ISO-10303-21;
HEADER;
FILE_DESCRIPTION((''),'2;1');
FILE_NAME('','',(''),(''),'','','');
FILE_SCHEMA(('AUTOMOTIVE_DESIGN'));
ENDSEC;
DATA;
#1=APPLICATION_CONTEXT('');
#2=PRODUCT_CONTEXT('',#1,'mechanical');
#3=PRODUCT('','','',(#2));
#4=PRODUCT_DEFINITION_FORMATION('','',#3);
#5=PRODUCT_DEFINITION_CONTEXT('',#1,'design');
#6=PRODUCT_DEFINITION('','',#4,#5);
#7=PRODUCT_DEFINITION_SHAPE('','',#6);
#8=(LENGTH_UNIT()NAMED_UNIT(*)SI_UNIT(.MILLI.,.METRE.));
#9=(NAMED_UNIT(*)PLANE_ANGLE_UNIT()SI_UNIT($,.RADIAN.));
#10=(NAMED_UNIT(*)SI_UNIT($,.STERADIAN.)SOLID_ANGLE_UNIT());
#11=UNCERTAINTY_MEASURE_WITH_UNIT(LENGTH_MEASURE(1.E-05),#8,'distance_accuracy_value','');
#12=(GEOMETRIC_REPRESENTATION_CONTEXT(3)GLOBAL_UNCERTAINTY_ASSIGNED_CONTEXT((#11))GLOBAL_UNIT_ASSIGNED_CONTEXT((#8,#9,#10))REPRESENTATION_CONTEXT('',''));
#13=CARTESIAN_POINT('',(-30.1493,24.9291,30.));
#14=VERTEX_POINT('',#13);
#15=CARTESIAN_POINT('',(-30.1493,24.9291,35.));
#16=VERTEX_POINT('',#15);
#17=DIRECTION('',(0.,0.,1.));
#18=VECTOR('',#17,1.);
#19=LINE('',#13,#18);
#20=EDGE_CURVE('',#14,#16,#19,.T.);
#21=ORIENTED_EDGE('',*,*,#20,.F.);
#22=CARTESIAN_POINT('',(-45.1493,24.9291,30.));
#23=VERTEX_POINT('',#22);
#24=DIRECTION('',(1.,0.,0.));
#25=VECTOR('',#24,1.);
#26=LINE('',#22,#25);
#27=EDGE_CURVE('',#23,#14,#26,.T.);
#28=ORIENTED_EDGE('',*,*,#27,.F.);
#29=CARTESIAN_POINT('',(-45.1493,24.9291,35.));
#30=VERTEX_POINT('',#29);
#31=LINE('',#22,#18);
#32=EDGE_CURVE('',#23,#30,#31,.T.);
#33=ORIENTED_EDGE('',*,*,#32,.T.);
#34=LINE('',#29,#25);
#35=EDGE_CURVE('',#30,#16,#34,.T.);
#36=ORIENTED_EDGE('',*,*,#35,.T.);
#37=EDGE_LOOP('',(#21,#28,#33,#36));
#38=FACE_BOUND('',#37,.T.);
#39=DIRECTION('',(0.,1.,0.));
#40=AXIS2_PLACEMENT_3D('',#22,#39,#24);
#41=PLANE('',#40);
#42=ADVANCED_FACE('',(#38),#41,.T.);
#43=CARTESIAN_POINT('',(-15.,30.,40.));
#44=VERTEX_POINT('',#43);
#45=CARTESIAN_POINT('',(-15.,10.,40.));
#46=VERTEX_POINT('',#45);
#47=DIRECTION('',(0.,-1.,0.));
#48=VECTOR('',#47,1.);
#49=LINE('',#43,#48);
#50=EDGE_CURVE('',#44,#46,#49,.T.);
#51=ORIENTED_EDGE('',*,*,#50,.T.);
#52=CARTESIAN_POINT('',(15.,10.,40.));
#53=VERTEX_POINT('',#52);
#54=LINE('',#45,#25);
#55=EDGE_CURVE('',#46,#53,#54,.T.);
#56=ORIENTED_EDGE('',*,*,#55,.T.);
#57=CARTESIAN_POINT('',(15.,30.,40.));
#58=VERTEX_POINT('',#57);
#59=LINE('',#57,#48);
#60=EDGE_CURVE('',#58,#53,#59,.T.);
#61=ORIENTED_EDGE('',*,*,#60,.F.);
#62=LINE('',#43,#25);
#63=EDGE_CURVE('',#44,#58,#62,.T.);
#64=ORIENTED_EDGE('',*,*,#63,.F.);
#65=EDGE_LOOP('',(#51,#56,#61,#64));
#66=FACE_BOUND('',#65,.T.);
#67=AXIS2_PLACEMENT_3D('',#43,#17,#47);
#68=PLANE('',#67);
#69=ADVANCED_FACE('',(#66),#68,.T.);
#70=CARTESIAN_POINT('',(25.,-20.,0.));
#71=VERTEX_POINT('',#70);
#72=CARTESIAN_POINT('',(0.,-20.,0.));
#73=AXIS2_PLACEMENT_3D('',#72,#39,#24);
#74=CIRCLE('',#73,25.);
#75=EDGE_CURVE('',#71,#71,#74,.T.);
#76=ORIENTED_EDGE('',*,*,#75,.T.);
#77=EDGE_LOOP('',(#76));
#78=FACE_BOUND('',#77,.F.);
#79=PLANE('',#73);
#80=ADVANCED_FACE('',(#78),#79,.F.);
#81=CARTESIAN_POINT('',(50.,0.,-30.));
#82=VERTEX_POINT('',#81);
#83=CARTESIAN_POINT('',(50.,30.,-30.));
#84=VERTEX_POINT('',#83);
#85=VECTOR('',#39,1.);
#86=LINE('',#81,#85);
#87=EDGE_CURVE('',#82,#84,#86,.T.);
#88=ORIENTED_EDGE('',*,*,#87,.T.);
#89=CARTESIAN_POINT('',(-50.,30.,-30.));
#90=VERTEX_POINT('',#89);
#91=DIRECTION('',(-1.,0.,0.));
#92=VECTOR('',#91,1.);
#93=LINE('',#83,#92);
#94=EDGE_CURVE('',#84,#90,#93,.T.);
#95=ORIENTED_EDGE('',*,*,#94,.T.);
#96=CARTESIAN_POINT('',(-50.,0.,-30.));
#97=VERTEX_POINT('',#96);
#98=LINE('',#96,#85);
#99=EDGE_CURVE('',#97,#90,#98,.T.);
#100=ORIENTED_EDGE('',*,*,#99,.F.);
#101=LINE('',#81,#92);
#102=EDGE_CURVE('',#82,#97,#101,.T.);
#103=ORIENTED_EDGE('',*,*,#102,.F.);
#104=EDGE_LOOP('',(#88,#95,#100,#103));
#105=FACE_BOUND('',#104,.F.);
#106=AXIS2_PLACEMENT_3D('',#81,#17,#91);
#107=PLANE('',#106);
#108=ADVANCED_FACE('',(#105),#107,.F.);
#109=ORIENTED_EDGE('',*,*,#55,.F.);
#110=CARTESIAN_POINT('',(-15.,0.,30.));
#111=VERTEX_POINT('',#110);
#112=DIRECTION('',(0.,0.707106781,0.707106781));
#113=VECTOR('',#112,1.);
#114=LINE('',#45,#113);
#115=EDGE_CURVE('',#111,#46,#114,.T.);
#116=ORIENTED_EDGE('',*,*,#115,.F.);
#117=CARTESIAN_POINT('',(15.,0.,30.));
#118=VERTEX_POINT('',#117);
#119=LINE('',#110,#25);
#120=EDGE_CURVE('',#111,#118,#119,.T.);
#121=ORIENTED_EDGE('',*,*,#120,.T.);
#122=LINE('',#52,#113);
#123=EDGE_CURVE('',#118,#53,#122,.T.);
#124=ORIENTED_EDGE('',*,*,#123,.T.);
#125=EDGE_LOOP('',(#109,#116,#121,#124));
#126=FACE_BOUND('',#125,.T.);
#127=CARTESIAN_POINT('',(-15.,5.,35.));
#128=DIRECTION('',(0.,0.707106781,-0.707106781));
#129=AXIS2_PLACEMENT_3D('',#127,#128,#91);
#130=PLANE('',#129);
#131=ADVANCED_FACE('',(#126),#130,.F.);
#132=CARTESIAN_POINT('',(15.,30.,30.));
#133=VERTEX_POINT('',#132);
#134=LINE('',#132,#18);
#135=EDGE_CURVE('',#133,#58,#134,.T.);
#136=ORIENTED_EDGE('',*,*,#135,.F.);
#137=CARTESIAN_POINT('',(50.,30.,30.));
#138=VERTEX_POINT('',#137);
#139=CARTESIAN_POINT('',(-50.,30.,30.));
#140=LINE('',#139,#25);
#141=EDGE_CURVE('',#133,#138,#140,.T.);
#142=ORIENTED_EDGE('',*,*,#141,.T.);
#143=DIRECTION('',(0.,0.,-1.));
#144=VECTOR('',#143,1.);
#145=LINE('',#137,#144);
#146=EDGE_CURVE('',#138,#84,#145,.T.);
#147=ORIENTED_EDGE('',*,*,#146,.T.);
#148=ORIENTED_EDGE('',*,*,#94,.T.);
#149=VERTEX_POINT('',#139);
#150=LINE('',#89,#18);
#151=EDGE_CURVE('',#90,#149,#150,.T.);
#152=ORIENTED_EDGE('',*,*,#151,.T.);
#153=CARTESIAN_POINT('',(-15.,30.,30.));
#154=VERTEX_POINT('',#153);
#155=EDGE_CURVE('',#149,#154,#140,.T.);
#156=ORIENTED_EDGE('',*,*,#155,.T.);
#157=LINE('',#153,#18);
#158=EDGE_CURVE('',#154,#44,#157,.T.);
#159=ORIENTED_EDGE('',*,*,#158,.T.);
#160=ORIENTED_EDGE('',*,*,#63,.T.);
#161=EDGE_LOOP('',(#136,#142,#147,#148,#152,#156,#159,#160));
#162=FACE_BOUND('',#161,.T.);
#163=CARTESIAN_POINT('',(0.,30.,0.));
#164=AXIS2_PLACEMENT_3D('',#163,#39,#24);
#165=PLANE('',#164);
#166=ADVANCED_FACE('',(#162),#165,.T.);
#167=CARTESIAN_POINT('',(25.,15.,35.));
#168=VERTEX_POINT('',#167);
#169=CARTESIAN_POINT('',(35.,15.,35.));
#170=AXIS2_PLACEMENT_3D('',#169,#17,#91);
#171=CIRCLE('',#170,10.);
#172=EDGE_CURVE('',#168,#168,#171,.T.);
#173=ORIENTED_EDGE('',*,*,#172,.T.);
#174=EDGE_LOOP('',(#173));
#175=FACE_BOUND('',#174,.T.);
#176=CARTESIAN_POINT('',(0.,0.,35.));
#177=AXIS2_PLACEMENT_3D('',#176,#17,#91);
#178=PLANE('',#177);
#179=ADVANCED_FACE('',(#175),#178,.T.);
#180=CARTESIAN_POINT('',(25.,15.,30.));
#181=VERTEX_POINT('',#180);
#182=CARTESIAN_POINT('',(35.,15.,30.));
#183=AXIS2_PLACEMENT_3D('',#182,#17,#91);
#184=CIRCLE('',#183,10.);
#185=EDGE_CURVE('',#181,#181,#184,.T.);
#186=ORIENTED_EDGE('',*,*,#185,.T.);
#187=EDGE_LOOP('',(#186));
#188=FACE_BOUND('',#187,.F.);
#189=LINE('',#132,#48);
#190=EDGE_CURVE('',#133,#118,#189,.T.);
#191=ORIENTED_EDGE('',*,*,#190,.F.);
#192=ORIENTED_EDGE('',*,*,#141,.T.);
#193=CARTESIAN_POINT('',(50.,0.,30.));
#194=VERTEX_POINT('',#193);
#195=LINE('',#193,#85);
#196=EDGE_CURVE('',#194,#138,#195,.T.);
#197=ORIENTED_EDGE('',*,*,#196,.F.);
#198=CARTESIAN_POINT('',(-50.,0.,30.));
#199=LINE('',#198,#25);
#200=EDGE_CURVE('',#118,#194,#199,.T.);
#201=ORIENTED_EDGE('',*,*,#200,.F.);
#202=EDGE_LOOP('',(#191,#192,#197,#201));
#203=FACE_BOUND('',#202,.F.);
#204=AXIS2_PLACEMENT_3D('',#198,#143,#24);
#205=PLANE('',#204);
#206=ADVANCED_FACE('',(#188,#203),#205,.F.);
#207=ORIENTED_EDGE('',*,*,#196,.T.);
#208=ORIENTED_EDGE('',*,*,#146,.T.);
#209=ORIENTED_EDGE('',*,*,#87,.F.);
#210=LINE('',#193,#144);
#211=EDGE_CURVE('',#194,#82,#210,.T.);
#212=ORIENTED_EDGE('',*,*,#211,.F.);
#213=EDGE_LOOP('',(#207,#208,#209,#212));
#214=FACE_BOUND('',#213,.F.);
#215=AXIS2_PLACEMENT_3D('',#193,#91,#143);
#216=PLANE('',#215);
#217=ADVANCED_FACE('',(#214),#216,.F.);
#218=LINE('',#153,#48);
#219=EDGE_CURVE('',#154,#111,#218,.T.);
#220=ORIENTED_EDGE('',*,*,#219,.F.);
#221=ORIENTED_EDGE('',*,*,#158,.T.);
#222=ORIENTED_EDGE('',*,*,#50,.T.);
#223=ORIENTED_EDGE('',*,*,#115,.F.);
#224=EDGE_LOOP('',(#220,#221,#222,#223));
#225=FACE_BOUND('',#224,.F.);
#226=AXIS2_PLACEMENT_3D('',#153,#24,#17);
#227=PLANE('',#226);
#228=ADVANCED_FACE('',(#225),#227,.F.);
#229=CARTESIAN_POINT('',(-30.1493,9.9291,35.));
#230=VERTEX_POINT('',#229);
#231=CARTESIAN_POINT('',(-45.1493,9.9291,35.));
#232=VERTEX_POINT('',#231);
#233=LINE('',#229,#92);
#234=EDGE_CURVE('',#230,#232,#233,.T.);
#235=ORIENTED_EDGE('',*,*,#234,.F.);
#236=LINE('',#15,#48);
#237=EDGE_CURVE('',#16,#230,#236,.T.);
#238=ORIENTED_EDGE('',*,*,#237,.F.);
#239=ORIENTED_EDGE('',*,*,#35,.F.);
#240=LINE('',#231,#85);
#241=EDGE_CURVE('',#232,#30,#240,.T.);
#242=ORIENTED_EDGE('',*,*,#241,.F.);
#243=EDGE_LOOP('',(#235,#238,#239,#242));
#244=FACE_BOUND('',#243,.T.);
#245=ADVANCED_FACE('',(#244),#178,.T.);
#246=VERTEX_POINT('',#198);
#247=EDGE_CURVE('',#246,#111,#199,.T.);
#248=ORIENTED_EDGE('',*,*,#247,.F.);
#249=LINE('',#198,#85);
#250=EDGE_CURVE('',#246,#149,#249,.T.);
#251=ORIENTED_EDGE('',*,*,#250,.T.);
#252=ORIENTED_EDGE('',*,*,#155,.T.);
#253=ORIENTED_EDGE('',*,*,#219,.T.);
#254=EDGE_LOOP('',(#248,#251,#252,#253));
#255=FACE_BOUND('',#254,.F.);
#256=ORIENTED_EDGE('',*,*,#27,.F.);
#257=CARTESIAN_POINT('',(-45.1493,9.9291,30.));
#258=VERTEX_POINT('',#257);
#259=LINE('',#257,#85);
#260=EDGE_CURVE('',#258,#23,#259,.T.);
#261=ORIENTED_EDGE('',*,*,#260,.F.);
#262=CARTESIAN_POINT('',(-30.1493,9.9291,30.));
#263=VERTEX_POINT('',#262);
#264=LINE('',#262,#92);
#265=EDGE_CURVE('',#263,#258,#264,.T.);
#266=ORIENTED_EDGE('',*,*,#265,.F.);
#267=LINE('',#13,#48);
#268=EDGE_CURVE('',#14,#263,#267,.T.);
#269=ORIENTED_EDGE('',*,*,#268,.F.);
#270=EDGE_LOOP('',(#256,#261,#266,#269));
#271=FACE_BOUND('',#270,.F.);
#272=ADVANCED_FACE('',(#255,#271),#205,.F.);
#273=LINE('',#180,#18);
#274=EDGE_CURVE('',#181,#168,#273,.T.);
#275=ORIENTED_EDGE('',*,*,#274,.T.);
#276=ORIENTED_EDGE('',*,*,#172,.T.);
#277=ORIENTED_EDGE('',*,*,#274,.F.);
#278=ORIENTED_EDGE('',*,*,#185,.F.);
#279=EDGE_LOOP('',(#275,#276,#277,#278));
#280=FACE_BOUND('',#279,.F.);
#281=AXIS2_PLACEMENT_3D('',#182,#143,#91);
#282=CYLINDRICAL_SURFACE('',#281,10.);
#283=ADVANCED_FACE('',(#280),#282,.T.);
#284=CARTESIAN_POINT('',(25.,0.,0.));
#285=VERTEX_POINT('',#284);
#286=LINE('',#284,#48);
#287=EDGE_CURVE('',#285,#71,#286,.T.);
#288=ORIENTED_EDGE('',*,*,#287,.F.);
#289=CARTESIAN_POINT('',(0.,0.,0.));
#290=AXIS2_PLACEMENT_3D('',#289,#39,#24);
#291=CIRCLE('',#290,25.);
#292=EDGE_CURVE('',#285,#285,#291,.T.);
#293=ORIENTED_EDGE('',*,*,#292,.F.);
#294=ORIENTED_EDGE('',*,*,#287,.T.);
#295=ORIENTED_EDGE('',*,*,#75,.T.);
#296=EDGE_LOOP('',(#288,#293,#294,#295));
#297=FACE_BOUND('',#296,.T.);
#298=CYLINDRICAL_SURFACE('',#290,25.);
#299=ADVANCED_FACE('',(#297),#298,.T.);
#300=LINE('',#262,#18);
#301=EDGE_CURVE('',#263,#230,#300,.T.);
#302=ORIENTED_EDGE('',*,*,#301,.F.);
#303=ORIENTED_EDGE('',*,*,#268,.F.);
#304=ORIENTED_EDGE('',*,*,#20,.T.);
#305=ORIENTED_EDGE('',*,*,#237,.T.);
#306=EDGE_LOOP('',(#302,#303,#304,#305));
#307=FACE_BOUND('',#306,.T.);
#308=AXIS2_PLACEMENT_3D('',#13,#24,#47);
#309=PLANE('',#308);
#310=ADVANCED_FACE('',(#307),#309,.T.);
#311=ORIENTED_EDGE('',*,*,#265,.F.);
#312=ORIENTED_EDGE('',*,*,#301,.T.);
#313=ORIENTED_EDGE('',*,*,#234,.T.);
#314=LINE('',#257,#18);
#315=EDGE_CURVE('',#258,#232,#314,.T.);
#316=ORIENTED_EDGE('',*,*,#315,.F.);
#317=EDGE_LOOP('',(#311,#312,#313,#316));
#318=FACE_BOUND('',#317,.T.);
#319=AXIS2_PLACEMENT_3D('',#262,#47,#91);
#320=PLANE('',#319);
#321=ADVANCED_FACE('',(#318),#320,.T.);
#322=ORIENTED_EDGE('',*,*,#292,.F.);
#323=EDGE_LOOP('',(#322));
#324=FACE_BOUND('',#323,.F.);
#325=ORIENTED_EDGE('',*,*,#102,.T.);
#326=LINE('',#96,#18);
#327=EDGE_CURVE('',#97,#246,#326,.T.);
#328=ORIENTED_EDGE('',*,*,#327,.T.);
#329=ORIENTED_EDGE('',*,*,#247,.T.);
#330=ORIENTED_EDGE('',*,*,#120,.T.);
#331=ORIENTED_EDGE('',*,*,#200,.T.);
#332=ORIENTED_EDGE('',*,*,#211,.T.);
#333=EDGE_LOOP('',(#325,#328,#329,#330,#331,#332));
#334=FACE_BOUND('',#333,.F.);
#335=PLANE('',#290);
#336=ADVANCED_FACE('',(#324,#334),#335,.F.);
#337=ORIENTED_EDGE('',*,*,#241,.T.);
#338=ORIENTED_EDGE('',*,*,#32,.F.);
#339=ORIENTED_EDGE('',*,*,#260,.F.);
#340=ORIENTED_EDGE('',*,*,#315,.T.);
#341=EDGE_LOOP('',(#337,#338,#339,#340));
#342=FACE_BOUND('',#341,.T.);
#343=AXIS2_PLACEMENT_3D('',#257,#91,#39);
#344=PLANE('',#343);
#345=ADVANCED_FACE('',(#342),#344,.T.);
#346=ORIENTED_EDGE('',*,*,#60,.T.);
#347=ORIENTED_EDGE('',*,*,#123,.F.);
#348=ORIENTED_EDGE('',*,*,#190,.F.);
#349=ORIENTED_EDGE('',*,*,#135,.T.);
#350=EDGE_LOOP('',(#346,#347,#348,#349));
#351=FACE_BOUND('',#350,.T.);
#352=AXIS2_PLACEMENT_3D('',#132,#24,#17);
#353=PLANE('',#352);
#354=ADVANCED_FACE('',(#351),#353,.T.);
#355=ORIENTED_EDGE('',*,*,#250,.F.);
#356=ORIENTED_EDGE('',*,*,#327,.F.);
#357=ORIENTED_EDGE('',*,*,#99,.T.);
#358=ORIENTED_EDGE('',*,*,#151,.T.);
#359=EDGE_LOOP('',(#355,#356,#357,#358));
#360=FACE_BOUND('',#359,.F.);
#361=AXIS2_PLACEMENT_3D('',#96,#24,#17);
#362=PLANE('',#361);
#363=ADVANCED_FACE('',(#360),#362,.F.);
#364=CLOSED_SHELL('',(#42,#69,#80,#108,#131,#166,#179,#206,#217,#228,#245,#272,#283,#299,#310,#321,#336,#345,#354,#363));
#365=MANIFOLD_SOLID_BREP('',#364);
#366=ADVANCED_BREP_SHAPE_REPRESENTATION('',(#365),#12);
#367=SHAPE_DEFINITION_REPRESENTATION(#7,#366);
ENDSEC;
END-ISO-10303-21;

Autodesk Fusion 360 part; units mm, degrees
sketch "Sketch1" plane through (0, 0, 0) normal (0, 1, 0) x (1, 0, 0)
  line L0 (50, 30) -> (-50, 30)
  line L1 (-50, 30) -> (-50, -30)
  line L2 (-50, -30) -> (50, -30)
  line L3 (50, -30) -> (50, 30)
  line L4 (50, 30) -> (-50, -30) construction
  line L5 (-50, 30) -> (50, -30) construction
  dimension "d1" = 100
  dimension "d2" = 60
extrude "Extrude1" add sketch "Sketch1" along normal blind 30
sketch "Sketch2" plane through (0, 0, 0) normal (0, 1, 0) x (1, 0, 0)
  circle A0 centre (0, 0) radius 25
  dimension "d5" = 50
extrude "Extrude2" add sketch "Sketch2" against normal blind 20
sketch "Sketch3" plane through (0, 0, 0) normal (0, -1, 0) x (1, 0, 0)
  circle A0 centre (0, 0) radius 25
  line L0 (50, -30) -> (50, 30)
  line L1 (50, 30) -> (-50, 30)
  line L2 (-50, 30) -> (-50, -30)
  line L3 (-50, -30) -> (50, -30)
sketch "Sketch4" plane through (0, 0, 30) normal (0, 0, 1) x (-1, 0, 0)
  line L0 (50, 0) -> (-50, 0)
  line L1 (-50, 0) -> (-50, -30)
  line L2 (-50, -30) -> (50, -30)
  line L3 (50, -30) -> (50, 0)
  circle A0 centre (-35, -15) radius 10
  line L4 (42.5777, -25.1555) -> (27.5777, -25.1555)
  line L5 (27.5777, -25.1555) -> (27.5777, -10.1555)
  line L6 (27.5777, -10.1555) -> (42.5777, -10.1555)
  line L7 (42.5777, -10.1555) -> (42.5777, -25.1555)
  dimension "d8" = 20
  dimension "d9" = 15
  dimension "d10" = 15
extrude "Extrude3" add sketch "Sketch4" along normal blind 5 contours A0
sketch "Sketch5" plane through (0, 0, 30) normal (0, 0, 1) x (-1, 0, 0)
  circle A0 centre (-35, -15) radius 10
  line L0 (50, 0) -> (-50, 0)
  line L1 (-50, 0) -> (-50, -30)
  line L2 (-50, -30) -> (50, -30)
  line L3 (50, -30) -> (50, 0)
  line L4 (45.1493, -24.9291) -> (30.1493, -24.9291)
  line L5 (30.1493, -24.9291) -> (30.1493, -9.9291)
  line L6 (30.1493, -9.9291) -> (45.1493, -9.9291)
  line L7 (45.1493, -9.9291) -> (45.1493, -24.9291)
  dimension "d13" = 15
  dimension "d14" = 15
extrude "Extrude4" add sketch "Sketch5" along normal blind 5 contours L4 L5 L6 L7
sketch "Sketch6" plane through (0, 0, 30) normal (0, 0, 1) x (-1, 0, 0)
  line L0 (45.1493, -9.9291) -> (45.1493, -24.9291)
  line L1 (45.1493, -24.9291) -> (30.1493, -24.9291)
  line L2 (30.1493, -24.9291) -> (30.1493, -9.9291)
  line L3 (30.1493, -9.9291) -> (45.1493, -9.9291)
  circle A0 centre (-35, -15) radius 10
  line L4 (50, 0) -> (-50, 0)
  line L5 (-50, 0) -> (-50, -30)
  line L6 (-50, -30) -> (50, -30)
  line L7 (50, -30) -> (50, 0)
box "BoxPrimitive1" add length 30 width 30 height 10 placed x (0, -1, 0) y (1, 0, 0) z (0, 0, 1) at (-15, 30, 30)
chamfer "Chamfer1" distance 10 angle 45 1 edges at (0, 0, 40)
